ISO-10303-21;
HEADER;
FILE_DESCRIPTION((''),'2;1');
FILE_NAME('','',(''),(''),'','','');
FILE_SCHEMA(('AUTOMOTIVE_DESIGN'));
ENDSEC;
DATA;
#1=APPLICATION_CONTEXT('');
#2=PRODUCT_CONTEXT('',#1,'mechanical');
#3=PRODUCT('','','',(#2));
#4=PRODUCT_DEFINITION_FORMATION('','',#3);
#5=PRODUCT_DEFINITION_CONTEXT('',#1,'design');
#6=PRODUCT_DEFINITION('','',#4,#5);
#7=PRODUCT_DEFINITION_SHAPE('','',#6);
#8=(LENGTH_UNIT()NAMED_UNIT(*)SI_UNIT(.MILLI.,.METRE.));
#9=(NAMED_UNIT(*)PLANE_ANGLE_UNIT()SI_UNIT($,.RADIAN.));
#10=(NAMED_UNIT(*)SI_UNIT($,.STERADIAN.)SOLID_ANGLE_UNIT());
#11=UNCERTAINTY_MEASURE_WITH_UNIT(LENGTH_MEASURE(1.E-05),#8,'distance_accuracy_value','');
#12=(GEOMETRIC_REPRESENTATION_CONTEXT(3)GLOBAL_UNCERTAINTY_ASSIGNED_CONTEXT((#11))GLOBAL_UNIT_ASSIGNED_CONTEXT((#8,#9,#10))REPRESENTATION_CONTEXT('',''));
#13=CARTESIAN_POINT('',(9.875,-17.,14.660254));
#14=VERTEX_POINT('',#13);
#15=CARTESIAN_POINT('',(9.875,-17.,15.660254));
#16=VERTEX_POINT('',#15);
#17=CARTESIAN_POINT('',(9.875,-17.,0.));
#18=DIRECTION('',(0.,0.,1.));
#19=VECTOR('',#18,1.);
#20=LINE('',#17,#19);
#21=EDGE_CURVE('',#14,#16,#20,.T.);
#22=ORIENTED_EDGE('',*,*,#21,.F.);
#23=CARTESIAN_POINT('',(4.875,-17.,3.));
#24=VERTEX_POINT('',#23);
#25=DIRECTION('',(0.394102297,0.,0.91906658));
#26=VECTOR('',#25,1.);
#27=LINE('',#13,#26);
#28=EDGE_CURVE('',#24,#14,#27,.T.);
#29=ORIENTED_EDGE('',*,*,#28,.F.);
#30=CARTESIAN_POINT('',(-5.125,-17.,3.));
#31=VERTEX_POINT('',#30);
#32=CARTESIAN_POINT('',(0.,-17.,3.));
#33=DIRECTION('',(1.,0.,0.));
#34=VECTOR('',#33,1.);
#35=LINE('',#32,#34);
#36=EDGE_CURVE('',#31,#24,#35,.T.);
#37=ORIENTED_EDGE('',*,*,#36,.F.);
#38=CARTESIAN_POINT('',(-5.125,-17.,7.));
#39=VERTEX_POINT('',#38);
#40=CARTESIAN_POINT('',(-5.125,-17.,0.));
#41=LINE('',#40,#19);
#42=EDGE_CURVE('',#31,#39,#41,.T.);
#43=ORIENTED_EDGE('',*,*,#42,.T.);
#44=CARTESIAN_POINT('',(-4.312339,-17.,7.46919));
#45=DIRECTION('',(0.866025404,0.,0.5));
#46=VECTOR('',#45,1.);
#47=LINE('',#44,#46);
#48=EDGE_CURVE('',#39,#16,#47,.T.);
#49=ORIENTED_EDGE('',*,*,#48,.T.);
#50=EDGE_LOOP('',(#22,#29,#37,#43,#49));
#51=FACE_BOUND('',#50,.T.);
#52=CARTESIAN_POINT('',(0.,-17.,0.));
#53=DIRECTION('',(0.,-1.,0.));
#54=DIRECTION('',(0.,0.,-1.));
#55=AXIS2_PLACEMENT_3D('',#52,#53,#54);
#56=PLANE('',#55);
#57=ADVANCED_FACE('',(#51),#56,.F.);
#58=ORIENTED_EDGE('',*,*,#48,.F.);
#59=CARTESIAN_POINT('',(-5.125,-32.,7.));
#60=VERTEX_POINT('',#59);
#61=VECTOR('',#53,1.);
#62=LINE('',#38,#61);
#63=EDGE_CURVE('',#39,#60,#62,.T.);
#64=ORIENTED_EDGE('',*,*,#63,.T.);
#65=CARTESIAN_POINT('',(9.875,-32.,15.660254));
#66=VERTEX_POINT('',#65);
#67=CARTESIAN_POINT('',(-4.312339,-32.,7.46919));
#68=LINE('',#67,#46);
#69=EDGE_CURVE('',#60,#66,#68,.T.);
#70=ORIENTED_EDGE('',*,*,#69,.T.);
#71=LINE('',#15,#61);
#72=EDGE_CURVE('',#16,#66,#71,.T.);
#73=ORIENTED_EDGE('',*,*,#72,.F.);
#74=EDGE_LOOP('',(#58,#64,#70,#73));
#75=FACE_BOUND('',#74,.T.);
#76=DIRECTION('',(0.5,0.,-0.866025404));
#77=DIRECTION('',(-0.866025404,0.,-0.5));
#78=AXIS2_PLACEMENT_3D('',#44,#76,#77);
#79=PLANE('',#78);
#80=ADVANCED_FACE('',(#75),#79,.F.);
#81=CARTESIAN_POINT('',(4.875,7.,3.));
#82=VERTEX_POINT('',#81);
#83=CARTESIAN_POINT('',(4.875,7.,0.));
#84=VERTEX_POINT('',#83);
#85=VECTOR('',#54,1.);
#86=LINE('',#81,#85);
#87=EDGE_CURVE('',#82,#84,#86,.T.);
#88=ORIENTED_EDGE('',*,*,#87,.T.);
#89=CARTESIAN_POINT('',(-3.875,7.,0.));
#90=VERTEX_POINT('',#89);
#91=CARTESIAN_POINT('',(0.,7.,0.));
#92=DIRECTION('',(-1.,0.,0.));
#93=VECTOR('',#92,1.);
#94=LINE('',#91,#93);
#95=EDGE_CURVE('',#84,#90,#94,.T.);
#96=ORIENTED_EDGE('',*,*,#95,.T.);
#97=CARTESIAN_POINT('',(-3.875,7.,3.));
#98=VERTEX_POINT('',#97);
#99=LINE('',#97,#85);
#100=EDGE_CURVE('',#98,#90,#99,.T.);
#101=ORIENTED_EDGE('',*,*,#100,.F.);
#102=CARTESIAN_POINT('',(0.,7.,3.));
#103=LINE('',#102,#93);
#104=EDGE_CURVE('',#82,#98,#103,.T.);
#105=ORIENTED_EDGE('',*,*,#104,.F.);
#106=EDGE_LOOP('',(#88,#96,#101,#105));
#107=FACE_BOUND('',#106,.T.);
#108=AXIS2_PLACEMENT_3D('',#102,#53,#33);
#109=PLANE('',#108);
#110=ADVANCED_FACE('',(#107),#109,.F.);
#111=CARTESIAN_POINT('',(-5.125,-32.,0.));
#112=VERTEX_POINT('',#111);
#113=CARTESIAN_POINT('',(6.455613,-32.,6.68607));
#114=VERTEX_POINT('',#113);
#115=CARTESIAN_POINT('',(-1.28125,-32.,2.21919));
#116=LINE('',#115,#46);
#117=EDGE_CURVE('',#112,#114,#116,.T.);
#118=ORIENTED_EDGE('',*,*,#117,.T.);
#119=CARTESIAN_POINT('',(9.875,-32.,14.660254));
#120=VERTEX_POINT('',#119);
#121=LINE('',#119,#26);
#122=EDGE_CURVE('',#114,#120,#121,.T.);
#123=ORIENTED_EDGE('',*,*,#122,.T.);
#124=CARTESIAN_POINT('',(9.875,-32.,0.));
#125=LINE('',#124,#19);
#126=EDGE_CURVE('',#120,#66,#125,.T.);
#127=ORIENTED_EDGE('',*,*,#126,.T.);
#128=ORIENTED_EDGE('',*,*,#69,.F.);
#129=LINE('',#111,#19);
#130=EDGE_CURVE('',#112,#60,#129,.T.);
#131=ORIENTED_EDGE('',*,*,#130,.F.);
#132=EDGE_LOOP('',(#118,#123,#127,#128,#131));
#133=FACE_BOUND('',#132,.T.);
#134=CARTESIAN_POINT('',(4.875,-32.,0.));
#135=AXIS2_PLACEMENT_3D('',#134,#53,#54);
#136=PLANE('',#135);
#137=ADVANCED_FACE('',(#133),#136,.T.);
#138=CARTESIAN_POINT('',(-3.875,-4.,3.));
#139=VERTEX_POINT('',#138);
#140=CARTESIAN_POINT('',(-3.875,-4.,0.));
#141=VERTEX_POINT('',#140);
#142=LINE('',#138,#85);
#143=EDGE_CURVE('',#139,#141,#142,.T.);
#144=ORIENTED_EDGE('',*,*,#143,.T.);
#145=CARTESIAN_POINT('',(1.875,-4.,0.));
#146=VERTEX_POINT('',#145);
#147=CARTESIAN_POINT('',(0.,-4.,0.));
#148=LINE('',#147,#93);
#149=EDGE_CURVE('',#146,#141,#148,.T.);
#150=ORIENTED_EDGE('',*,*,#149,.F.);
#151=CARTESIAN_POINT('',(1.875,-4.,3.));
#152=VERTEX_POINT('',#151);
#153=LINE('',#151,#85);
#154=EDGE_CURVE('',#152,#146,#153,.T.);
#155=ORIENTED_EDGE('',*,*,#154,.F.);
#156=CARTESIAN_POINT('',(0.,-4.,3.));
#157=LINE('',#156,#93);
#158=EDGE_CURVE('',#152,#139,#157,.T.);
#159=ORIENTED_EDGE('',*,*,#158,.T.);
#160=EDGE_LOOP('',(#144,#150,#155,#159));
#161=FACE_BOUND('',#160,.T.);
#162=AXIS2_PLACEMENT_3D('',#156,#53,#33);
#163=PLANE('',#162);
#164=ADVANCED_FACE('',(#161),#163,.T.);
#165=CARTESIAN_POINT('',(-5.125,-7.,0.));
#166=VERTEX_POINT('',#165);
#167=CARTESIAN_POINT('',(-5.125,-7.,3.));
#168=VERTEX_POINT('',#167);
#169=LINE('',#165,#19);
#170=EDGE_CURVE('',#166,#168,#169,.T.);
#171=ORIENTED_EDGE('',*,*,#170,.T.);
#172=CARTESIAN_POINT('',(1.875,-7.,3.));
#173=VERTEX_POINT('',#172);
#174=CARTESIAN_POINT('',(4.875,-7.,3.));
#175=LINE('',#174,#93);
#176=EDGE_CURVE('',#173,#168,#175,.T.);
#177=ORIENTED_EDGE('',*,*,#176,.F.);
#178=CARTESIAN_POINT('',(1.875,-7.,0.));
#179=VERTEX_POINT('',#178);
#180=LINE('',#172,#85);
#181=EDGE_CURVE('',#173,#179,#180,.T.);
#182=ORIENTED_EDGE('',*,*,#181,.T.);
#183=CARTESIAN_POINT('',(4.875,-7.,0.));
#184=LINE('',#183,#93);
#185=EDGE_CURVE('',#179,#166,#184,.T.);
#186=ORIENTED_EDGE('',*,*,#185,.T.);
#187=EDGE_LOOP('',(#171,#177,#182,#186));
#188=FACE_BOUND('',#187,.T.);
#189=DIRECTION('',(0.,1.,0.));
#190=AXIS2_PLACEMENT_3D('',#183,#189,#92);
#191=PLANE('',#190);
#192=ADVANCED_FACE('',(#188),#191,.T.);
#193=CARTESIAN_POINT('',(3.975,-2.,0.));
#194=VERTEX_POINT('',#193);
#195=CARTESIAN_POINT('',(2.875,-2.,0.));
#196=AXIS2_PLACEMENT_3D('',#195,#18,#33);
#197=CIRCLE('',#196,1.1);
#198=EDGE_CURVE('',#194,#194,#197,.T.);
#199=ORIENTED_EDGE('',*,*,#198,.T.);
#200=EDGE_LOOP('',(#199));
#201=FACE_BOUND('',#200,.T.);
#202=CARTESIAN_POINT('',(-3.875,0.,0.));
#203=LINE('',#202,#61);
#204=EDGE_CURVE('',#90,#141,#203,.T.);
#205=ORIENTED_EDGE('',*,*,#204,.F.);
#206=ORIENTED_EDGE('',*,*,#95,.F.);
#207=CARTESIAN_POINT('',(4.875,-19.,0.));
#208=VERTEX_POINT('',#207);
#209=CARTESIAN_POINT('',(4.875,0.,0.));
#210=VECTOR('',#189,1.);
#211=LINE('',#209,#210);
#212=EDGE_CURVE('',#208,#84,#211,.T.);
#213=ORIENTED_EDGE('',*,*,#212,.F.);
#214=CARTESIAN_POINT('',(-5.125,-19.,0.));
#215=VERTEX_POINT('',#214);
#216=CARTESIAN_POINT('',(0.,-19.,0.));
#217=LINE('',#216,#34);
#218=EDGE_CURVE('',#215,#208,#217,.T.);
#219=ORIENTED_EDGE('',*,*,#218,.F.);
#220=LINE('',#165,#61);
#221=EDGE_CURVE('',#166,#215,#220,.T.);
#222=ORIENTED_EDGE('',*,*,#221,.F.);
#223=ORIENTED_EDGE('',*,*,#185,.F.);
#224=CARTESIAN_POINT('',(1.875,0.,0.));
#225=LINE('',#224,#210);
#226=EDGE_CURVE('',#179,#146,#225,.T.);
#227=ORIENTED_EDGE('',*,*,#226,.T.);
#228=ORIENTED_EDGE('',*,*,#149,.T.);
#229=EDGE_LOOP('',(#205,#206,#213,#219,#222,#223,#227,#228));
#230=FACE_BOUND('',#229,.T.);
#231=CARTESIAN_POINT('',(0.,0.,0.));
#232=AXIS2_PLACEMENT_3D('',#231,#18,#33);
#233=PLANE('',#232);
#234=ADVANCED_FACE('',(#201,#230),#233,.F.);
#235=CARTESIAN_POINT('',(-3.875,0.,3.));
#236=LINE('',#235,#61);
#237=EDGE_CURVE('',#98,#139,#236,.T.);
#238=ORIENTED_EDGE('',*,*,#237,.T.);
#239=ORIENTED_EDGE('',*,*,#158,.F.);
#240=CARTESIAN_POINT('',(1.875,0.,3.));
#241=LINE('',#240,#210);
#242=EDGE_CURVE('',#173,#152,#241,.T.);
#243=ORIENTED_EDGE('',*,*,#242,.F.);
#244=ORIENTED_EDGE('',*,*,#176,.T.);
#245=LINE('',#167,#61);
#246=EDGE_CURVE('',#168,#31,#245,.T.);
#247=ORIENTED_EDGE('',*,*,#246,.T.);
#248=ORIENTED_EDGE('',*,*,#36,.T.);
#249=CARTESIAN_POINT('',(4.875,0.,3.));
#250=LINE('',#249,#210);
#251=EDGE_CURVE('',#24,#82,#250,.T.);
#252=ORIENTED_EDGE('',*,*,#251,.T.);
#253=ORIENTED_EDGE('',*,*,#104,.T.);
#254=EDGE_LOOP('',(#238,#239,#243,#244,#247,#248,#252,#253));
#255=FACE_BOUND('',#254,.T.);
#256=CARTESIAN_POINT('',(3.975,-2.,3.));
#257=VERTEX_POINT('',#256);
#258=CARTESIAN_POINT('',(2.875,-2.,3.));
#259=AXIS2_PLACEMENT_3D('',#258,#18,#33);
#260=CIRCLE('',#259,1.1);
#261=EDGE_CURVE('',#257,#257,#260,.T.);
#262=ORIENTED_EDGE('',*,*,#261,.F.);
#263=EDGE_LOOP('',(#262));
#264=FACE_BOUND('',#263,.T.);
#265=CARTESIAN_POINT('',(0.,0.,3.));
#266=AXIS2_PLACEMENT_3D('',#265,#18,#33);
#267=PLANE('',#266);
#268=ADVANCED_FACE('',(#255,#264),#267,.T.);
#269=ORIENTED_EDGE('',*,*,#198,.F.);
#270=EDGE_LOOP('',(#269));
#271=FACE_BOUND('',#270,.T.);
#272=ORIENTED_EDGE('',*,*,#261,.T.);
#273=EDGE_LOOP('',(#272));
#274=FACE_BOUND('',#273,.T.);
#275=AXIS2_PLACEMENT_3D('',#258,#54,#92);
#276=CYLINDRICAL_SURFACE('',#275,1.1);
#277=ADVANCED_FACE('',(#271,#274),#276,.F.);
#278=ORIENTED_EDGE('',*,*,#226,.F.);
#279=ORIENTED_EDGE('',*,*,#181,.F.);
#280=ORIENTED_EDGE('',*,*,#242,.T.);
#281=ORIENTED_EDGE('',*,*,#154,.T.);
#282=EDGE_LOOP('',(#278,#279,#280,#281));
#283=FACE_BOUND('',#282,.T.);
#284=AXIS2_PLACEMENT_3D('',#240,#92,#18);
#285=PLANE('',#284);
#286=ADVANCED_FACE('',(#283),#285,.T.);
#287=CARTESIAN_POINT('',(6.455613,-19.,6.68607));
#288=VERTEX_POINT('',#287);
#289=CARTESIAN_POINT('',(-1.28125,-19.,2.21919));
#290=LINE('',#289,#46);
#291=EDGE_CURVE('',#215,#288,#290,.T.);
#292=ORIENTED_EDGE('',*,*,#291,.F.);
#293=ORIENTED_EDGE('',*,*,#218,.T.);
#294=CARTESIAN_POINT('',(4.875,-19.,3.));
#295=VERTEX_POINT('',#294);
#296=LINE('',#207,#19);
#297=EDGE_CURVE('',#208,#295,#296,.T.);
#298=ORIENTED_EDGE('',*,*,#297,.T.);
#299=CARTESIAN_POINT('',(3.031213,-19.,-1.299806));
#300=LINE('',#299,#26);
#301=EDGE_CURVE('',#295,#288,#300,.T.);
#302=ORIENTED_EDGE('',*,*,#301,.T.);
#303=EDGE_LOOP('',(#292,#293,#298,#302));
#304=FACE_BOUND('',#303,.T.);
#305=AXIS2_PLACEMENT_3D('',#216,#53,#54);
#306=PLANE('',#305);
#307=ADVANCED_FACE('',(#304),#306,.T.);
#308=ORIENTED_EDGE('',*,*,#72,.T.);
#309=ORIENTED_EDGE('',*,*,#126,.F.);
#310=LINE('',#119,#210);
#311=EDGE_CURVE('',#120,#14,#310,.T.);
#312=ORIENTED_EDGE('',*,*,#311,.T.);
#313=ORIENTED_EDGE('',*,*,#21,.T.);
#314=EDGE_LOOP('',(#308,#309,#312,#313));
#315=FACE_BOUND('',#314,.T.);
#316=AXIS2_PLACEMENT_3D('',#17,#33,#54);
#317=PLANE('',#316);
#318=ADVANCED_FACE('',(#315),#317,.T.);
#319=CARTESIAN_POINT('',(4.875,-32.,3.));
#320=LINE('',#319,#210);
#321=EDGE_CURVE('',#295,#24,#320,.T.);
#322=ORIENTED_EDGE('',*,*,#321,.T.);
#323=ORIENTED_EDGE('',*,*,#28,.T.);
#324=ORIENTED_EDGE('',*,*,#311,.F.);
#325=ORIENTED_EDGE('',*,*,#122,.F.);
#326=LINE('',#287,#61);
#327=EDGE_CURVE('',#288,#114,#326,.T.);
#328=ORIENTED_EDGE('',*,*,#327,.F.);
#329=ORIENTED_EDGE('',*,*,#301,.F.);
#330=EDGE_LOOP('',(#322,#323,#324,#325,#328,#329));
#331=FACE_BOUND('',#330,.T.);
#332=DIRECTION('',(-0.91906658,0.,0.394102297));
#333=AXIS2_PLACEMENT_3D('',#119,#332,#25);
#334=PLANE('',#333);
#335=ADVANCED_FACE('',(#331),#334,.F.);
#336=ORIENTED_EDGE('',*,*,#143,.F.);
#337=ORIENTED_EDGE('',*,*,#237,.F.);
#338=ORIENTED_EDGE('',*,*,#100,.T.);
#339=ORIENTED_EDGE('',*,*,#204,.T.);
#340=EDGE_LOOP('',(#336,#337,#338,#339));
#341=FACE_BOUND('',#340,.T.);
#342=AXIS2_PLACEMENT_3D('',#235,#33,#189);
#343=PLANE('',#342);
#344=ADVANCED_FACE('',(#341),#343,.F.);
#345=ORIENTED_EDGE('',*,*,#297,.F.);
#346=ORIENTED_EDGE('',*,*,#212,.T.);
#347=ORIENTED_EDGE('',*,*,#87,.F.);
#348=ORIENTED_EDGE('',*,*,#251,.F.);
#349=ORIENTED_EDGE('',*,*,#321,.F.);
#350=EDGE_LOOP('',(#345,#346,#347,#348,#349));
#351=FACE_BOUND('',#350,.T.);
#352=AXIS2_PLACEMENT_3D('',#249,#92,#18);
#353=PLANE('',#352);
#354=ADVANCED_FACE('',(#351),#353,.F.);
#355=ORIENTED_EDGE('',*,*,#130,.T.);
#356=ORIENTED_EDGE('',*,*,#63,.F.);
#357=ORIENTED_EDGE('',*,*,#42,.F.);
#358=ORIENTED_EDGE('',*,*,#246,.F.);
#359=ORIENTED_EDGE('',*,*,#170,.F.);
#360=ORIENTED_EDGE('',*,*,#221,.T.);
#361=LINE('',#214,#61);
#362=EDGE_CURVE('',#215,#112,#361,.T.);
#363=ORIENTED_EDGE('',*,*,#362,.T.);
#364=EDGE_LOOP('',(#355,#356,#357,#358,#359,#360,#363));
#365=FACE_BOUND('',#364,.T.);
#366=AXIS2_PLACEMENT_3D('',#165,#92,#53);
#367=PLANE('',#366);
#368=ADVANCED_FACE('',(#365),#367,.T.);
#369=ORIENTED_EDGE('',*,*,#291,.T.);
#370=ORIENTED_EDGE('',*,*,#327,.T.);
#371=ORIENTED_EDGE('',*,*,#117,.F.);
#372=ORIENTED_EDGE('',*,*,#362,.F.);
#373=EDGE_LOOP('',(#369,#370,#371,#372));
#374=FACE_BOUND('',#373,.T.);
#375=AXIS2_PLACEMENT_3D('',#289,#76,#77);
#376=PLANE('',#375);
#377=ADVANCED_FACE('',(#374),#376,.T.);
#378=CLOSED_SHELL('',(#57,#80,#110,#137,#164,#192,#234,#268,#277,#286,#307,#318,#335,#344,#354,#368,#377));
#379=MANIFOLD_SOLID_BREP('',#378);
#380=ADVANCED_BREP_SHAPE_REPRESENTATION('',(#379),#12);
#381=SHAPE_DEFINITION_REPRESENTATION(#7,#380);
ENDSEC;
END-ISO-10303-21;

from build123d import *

# Parameters (mm, degrees)
SKETCH1_R           = 1.1
BOSS_EXTRUDE1_DEPTH = 3
SKETCH2_W           = 10
SKETCH2_H           = 25
BOSS_EXTRUDE2_DEPTH = 3
SKETCH3_W           = 5
SKETCH3_H           = 3
SKETCH3_W_2         = 10
BOSS_EXTRUDE3_DEPTH = 15
CUT_EXTRUDE1_DEPTH  = 15
CUT_EXTRUDE3_DEPTH  = 13


with BuildPart() as part:
    # Sketch1 → Boss-Extrude1 (new body)
    with BuildSketch(Plane.XY):
        Polygon((4.875, 7), (-3.875, 7), (-3.875, -4), (1.875, -4), (1.875, -7), (4.875, -7), align=None)
        with Locations((2.875, -2)):
            Circle(SKETCH1_R, mode=Mode.SUBTRACT)
    extrude(amount=BOSS_EXTRUDE1_DEPTH)

    # Sketch2 → Boss-Extrude2 (add)
    with BuildSketch(Plane.XY.offset(3)):
        with Locations((-0.125, -19.5)):
            Rectangle(SKETCH2_W, SKETCH2_H)
    extrude(amount=-BOSS_EXTRUDE2_DEPTH)

    # Sketch3 → Boss-Extrude3 (add)
    with BuildSketch(Plane(origin=(0, -32, 0), x_dir=(-1, 0, 0), z_dir=(0, -1, 0))):
        Polygon((-9.875, -11.660254038), (5.125, -3), (-4.875, -3), (-9.875, -3), align=None)
        with Locations((-7.375, -1.5)):
            Rectangle(SKETCH3_W, SKETCH3_H)
        with Locations((0.125, -1.5)):
            Rectangle(SKETCH3_W_2, SKETCH3_H)
        Polygon((5.125, -7), (-9.875, -15.660254038), (-9.875, -11.660254038), (5.125, -3), align=None)
    extrude(amount=-BOSS_EXTRUDE3_DEPTH)

    # Sketch5 → Cut-Extrude1 (cut)
    with BuildSketch(Plane(origin=(0, -17, 0), x_dir=(1, 0, 0), z_dir=(0, 1, 0))):
        Polygon((9.875, -14.660254038), (4.875, -3), (4.875, 0), (9.875, 0), align=None)
    extrude(amount=-CUT_EXTRUDE1_DEPTH, mode=Mode.SUBTRACT)

    # Sketch6 → Cut-Extrude3 (cut)
    with BuildSketch(Plane(origin=(0, -32, 0), x_dir=(-1, 0, 0), z_dir=(0, -1, 0))):
        Polygon((-6.45561312, -6.686070102), (5.125, 0), (-4.875, 0), (-4.875, -3), align=None)
    extrude(amount=-CUT_EXTRUDE3_DEPTH, mode=Mode.SUBTRACT)


solid = part.part
